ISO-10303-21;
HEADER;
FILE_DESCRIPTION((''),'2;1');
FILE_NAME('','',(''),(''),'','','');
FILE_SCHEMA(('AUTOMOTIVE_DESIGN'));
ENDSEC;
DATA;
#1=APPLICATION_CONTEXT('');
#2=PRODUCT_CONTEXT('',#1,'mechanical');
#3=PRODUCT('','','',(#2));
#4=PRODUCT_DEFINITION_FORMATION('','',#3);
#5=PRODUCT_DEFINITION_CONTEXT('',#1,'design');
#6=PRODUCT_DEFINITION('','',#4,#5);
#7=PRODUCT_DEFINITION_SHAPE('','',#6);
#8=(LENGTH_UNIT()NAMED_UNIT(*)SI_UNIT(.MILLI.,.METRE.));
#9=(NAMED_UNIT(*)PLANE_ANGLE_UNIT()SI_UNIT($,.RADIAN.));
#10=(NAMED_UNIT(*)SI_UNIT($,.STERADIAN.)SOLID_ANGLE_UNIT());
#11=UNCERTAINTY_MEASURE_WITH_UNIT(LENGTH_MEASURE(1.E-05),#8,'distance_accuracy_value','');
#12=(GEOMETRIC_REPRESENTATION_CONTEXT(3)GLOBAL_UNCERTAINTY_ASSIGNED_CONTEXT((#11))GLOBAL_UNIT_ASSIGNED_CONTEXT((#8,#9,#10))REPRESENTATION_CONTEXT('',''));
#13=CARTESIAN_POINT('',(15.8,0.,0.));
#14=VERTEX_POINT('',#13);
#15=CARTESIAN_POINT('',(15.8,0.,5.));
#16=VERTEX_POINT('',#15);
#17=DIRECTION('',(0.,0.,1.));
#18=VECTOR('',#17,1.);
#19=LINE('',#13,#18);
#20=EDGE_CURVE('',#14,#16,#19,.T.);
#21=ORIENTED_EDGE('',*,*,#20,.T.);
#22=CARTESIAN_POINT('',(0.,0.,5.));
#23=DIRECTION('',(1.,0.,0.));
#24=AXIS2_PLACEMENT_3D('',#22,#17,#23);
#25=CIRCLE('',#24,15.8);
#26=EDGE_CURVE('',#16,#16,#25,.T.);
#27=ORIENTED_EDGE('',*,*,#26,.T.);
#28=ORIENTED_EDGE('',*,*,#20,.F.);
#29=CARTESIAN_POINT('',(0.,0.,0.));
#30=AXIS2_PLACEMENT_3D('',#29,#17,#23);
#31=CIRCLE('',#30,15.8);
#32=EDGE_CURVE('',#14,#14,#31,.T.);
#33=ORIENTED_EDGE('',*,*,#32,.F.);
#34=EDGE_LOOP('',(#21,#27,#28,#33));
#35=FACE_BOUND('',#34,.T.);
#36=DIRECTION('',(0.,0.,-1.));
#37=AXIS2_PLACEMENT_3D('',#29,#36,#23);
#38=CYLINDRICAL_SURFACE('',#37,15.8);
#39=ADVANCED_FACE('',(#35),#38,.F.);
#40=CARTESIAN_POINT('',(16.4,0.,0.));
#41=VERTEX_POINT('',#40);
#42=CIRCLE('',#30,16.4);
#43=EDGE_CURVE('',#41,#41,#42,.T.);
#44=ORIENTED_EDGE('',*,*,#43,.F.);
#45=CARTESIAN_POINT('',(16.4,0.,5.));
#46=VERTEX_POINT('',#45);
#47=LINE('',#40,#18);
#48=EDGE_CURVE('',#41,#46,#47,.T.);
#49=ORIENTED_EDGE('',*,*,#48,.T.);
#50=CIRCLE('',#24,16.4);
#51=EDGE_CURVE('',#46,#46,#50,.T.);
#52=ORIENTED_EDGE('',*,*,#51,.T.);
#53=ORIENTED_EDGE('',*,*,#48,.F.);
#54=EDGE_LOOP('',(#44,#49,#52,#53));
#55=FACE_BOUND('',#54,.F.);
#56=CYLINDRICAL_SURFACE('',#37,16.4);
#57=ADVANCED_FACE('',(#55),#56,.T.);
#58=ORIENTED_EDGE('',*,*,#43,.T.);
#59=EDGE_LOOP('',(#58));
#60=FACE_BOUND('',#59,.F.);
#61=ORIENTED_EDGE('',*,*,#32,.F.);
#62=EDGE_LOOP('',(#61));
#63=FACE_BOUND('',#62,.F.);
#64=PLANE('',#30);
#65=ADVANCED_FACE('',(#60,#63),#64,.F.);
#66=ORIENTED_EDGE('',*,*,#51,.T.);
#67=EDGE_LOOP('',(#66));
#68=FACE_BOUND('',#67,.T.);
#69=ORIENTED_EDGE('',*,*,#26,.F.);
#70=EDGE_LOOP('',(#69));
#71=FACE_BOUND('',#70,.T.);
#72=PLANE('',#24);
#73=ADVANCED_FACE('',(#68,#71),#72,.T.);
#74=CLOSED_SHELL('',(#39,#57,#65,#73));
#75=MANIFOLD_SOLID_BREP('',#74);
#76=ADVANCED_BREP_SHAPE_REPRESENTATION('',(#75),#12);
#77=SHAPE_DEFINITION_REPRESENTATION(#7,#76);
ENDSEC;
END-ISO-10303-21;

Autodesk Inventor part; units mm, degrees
ref_plane "YZ Plane" through (0, 0, 0) normal (1, 0, 0) x (0, 1, 0)
ref_plane "XZ Plane" through (0, 0, 0) normal (0, 1, 0) x (-1, 0, 0)
ref_plane "XY Plane" through (0, 0, 0) normal (0, 0, 1) x (1, 0, 0)
sketch "Sketch1" plane through (0, 0, 0) normal (0, 0, 1) x (1, 0, 0)
  circle A0 centre (0, 0) radius 15.8
  circle A1 centre (0, 0) radius 16.4
  dimension "d0" = 31.6
  dimension "d1" = 32.8
extrude "Extrusion1" add sketch "Sketch1" along normal blind 5
equation "\"d0\" = inner"
equation "\"d1\" = outer"
equation "\"inner\" = 31.6"
equation "\"outer\" = 32.8"
properties part number "TouptekAdapterRing" material "ABS Plastic"
